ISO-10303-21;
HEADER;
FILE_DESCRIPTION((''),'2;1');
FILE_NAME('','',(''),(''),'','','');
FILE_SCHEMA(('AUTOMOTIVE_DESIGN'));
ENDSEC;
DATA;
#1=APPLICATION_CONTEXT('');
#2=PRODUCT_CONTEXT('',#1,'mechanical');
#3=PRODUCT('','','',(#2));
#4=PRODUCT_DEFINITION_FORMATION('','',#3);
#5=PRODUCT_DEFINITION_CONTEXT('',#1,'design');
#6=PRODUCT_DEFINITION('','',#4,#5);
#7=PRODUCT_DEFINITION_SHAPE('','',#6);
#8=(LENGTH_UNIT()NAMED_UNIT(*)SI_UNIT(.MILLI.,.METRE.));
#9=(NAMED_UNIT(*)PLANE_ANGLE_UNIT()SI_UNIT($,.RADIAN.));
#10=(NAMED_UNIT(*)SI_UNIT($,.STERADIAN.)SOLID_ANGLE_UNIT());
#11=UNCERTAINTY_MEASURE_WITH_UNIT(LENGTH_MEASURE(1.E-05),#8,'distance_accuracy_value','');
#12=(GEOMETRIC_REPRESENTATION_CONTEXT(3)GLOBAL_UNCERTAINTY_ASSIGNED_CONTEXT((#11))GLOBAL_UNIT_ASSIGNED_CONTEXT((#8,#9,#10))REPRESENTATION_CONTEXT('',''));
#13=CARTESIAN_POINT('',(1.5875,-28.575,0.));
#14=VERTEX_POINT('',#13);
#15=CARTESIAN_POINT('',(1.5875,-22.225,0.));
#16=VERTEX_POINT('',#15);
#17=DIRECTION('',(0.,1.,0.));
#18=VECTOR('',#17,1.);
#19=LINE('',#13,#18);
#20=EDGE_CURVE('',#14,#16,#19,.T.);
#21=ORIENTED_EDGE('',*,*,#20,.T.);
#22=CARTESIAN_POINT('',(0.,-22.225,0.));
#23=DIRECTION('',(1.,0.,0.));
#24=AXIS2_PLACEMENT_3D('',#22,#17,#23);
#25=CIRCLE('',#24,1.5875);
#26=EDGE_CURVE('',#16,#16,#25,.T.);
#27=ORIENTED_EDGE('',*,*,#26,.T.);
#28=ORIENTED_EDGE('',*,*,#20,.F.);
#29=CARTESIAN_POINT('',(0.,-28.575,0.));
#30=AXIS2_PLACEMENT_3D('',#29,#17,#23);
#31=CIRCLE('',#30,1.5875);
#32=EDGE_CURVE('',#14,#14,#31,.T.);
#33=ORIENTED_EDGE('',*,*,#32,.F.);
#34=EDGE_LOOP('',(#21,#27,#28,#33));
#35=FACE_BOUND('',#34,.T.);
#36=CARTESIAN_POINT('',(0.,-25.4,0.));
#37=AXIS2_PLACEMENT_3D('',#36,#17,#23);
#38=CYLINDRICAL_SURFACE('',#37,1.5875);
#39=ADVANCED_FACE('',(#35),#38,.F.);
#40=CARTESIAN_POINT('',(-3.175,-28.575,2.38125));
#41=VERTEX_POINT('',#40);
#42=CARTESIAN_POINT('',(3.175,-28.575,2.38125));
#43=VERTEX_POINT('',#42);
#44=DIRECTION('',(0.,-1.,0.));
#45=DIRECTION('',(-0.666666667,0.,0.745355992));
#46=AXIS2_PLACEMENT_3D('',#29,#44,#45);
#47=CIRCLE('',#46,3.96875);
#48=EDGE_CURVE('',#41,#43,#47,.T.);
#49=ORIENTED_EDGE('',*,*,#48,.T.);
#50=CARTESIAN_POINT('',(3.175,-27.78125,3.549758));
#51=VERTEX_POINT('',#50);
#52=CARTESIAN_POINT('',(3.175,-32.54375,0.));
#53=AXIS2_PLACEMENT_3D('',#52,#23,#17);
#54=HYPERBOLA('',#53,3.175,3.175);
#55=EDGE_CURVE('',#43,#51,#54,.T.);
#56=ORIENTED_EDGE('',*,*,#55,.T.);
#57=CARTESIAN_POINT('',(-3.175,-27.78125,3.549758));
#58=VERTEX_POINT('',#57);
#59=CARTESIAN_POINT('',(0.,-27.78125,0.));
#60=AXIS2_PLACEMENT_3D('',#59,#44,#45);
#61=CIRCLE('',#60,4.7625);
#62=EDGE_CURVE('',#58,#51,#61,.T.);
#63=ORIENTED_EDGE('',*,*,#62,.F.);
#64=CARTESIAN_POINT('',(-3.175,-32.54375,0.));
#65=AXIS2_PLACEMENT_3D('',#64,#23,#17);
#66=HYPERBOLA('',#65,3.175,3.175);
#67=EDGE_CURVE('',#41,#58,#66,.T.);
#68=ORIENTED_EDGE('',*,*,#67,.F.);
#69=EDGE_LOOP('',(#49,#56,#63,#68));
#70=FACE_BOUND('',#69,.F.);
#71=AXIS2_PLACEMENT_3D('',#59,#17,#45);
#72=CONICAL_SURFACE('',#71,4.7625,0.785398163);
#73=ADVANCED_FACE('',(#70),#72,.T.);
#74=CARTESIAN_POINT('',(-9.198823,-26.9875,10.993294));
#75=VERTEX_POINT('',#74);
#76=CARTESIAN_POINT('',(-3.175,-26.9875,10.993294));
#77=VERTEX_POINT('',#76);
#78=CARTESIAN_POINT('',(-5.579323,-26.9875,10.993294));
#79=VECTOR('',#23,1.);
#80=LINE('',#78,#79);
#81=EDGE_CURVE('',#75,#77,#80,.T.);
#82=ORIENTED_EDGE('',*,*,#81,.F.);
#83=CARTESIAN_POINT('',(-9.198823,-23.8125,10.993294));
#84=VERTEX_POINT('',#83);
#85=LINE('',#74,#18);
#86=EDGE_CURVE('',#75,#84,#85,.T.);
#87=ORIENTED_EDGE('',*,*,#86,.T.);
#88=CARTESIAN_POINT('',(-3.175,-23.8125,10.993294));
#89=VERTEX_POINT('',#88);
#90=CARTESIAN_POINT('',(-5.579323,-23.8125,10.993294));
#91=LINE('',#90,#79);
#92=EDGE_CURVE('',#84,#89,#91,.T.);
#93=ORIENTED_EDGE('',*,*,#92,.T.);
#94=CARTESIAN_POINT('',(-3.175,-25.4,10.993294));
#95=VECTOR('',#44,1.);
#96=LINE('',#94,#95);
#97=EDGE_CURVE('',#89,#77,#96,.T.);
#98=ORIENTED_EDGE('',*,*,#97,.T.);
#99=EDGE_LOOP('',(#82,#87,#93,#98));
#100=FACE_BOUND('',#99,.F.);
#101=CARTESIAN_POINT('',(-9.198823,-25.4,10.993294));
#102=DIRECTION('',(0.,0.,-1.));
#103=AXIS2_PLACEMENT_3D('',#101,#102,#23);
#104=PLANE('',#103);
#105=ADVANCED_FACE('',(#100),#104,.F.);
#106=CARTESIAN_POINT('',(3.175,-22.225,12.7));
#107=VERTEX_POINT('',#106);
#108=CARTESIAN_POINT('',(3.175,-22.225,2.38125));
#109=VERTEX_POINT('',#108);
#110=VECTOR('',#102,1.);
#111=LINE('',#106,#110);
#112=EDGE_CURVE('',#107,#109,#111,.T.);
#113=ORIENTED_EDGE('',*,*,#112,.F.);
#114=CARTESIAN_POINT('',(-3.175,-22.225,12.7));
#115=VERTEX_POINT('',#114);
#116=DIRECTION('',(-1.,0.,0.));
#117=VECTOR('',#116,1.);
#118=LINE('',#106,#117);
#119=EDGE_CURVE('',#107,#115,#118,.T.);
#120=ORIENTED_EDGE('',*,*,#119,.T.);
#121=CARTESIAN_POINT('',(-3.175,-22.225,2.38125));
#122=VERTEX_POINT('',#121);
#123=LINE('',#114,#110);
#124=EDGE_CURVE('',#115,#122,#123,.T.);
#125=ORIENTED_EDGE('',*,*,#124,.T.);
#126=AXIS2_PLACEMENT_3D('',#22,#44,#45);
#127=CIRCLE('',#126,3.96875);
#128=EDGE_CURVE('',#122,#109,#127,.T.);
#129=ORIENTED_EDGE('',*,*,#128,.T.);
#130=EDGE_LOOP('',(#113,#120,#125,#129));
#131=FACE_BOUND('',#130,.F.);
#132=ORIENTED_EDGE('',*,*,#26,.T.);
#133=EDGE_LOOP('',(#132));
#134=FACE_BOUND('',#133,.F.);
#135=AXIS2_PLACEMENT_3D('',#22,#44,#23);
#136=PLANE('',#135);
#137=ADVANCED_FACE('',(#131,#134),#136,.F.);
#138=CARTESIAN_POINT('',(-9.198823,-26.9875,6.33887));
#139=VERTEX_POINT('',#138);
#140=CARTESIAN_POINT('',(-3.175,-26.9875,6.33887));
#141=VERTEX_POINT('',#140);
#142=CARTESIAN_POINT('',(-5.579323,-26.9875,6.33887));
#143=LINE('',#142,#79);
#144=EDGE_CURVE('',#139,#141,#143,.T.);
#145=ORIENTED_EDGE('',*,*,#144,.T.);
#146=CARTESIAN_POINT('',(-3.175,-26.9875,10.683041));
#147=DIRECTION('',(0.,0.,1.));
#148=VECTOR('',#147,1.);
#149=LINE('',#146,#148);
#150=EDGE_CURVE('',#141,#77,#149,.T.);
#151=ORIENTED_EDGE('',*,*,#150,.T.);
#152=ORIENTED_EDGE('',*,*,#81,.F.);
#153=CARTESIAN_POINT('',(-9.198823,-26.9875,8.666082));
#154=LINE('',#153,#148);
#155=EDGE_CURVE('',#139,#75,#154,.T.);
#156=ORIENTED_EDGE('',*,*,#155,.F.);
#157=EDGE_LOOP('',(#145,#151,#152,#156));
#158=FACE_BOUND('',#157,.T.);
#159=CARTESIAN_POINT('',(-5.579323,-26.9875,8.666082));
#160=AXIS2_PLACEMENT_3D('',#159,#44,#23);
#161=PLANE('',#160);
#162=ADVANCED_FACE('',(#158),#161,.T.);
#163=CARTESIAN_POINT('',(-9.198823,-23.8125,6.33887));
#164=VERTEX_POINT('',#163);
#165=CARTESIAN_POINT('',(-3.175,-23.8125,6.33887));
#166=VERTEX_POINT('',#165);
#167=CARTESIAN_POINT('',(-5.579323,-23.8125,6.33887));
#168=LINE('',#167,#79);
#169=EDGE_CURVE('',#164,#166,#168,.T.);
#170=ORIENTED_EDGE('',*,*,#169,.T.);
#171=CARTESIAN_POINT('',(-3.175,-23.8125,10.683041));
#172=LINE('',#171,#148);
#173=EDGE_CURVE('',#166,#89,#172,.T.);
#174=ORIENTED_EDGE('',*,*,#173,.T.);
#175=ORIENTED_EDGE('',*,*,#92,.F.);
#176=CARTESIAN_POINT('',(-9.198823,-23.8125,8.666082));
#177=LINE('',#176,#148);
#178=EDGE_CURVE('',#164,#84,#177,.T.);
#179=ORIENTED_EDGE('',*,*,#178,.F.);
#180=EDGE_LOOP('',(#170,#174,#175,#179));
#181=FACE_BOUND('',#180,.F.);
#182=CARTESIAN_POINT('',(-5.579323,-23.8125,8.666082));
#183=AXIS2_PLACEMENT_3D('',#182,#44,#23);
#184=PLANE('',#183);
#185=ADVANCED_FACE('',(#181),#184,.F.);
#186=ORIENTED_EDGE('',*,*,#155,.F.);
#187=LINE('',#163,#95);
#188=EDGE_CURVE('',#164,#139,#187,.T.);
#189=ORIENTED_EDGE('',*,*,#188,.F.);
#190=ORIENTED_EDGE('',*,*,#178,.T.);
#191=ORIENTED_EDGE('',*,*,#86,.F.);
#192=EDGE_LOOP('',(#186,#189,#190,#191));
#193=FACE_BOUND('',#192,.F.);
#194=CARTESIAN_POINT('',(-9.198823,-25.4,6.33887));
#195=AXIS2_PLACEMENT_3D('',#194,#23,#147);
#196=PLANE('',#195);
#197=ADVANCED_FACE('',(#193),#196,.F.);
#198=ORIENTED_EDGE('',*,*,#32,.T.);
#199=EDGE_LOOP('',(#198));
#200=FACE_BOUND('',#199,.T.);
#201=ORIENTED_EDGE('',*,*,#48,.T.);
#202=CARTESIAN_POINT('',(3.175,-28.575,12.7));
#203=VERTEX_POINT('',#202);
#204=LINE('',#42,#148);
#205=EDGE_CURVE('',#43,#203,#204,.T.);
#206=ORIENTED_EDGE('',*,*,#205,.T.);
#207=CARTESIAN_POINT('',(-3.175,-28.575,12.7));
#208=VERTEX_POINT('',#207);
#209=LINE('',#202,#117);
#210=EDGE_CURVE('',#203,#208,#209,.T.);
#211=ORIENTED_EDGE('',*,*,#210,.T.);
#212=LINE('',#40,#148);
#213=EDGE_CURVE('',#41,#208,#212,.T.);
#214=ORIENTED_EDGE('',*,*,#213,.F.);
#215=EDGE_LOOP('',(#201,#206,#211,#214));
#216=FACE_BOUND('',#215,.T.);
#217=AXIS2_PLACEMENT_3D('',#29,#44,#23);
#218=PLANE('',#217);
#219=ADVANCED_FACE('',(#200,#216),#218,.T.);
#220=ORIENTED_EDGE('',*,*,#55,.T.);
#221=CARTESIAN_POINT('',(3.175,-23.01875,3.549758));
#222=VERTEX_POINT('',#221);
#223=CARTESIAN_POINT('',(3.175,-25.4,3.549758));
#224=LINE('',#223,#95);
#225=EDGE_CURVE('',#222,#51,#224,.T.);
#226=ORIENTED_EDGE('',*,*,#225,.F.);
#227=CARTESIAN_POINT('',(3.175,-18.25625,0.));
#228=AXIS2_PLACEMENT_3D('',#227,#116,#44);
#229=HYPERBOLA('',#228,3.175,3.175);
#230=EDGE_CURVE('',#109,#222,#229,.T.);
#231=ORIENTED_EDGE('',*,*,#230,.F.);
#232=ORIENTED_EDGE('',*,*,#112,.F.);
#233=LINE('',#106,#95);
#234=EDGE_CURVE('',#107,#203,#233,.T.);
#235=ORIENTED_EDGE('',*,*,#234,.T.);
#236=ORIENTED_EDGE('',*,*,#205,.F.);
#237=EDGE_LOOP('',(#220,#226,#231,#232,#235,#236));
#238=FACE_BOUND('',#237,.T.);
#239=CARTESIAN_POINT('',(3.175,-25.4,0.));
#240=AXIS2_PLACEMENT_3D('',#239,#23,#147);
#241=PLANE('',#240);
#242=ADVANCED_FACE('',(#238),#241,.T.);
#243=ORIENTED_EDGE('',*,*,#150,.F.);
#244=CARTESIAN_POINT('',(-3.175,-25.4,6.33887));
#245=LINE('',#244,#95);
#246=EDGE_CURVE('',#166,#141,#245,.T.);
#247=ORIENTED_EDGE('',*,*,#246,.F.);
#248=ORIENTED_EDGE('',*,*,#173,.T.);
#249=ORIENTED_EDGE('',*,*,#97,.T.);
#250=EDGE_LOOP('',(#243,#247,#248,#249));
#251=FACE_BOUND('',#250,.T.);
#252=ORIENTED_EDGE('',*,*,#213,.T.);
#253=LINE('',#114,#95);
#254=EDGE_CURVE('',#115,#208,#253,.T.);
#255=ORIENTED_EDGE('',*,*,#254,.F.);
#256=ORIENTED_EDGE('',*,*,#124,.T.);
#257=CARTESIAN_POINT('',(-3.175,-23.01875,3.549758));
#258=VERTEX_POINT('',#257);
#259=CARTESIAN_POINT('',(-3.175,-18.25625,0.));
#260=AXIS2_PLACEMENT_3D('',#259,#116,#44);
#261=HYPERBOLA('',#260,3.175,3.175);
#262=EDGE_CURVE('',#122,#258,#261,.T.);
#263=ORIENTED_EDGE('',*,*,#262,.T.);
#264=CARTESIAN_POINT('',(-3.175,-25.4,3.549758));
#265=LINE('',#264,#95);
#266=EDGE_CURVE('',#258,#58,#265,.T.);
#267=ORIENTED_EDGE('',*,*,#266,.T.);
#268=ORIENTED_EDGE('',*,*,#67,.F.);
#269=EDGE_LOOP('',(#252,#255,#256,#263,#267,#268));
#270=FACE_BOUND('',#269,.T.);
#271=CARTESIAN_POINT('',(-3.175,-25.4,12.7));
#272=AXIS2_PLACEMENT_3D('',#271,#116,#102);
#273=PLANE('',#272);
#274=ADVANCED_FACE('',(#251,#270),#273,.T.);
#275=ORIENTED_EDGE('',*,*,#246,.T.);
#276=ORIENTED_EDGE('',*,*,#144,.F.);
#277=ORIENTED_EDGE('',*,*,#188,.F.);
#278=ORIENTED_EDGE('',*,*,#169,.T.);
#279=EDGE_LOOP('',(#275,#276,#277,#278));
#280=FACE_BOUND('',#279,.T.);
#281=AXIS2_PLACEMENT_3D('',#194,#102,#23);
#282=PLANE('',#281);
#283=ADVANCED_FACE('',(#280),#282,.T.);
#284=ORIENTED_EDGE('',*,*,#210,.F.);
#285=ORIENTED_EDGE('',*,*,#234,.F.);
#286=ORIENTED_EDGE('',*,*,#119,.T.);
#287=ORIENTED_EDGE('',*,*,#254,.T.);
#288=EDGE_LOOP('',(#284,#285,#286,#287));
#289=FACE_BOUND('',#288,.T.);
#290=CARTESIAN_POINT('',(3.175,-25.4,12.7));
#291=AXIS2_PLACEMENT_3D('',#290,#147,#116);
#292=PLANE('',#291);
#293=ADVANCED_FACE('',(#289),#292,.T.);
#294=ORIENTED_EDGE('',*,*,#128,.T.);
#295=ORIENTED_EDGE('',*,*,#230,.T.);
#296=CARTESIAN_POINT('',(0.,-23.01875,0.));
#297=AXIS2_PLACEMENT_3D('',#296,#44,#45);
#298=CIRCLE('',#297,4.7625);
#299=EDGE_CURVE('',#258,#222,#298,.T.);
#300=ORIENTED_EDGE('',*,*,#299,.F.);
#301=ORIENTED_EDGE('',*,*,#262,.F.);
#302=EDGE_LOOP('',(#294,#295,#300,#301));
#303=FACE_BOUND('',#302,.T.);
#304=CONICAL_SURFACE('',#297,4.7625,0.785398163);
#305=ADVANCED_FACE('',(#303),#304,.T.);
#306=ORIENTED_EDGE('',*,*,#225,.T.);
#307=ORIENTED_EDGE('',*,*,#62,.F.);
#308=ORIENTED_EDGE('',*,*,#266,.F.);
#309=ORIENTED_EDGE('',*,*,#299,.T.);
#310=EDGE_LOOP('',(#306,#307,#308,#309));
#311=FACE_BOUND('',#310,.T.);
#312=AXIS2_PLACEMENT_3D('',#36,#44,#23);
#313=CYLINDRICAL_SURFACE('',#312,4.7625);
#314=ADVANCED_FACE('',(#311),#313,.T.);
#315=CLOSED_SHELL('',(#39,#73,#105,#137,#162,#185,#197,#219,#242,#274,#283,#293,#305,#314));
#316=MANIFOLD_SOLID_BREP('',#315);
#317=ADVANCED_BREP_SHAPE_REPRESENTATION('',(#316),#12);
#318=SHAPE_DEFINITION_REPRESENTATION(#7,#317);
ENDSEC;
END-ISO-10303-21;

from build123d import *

# Parameters (mm, degrees)
F2_R     = 4.7625
F2_R_2   = 1.5875
F5_DEPTH = 3.175
F6_DEPTH = 3.175
F4_W     = 7.239
F4_H     = 4.654424265
F7_DEPTH = 1.5875
F8_SIZE  = 0.79375


with BuildPart() as f5:
    # F2 (on offset) → F5 (new body, symmetric)
    with BuildSketch(Plane.XZ.offset(25.4)):
        Circle(F2_R)
        Circle(F2_R_2, mode=Mode.SUBTRACT)
    extrude(amount=F5_DEPTH, both=True)

    # F3 (on offset) → F6 (join, symmetric)
    with BuildSketch(Plane.XZ.offset(25.4)):
        with BuildLine():
            Line((3.175, 0), (3.175, 12.7))
            Line((3.175, 12.7), (-3.175, 12.7))
            Line((-3.175, 12.7), (-3.175, 0))
            Line((-3.175, 0), (-1.5875, 0))
            ThreePointArc((-1.5875, 0), (0, 1.5875), (1.5875, 0))
            Line((1.5875, 0), (3.175, 0))
        make_face()
    extrude(amount=F6_DEPTH, both=True)

    # F4 (on offset) → F7 (join, symmetric)
    with BuildSketch(Plane.XZ.offset(25.4)):
        with Locations((-5.5793230124, 8.6660822853)):
            Rectangle(F4_W, F4_H)
    extrude(amount=F7_DEPTH, both=True)

    # F8
    f8_edges = [f5.edges().sort_by_distance(p)[0] for p in [
        (0, -28.575, -4.7625),
        (0, -22.225, -4.7625),
    ]]
    chamfer(f8_edges, length=F8_SIZE)


solid = f5.part
